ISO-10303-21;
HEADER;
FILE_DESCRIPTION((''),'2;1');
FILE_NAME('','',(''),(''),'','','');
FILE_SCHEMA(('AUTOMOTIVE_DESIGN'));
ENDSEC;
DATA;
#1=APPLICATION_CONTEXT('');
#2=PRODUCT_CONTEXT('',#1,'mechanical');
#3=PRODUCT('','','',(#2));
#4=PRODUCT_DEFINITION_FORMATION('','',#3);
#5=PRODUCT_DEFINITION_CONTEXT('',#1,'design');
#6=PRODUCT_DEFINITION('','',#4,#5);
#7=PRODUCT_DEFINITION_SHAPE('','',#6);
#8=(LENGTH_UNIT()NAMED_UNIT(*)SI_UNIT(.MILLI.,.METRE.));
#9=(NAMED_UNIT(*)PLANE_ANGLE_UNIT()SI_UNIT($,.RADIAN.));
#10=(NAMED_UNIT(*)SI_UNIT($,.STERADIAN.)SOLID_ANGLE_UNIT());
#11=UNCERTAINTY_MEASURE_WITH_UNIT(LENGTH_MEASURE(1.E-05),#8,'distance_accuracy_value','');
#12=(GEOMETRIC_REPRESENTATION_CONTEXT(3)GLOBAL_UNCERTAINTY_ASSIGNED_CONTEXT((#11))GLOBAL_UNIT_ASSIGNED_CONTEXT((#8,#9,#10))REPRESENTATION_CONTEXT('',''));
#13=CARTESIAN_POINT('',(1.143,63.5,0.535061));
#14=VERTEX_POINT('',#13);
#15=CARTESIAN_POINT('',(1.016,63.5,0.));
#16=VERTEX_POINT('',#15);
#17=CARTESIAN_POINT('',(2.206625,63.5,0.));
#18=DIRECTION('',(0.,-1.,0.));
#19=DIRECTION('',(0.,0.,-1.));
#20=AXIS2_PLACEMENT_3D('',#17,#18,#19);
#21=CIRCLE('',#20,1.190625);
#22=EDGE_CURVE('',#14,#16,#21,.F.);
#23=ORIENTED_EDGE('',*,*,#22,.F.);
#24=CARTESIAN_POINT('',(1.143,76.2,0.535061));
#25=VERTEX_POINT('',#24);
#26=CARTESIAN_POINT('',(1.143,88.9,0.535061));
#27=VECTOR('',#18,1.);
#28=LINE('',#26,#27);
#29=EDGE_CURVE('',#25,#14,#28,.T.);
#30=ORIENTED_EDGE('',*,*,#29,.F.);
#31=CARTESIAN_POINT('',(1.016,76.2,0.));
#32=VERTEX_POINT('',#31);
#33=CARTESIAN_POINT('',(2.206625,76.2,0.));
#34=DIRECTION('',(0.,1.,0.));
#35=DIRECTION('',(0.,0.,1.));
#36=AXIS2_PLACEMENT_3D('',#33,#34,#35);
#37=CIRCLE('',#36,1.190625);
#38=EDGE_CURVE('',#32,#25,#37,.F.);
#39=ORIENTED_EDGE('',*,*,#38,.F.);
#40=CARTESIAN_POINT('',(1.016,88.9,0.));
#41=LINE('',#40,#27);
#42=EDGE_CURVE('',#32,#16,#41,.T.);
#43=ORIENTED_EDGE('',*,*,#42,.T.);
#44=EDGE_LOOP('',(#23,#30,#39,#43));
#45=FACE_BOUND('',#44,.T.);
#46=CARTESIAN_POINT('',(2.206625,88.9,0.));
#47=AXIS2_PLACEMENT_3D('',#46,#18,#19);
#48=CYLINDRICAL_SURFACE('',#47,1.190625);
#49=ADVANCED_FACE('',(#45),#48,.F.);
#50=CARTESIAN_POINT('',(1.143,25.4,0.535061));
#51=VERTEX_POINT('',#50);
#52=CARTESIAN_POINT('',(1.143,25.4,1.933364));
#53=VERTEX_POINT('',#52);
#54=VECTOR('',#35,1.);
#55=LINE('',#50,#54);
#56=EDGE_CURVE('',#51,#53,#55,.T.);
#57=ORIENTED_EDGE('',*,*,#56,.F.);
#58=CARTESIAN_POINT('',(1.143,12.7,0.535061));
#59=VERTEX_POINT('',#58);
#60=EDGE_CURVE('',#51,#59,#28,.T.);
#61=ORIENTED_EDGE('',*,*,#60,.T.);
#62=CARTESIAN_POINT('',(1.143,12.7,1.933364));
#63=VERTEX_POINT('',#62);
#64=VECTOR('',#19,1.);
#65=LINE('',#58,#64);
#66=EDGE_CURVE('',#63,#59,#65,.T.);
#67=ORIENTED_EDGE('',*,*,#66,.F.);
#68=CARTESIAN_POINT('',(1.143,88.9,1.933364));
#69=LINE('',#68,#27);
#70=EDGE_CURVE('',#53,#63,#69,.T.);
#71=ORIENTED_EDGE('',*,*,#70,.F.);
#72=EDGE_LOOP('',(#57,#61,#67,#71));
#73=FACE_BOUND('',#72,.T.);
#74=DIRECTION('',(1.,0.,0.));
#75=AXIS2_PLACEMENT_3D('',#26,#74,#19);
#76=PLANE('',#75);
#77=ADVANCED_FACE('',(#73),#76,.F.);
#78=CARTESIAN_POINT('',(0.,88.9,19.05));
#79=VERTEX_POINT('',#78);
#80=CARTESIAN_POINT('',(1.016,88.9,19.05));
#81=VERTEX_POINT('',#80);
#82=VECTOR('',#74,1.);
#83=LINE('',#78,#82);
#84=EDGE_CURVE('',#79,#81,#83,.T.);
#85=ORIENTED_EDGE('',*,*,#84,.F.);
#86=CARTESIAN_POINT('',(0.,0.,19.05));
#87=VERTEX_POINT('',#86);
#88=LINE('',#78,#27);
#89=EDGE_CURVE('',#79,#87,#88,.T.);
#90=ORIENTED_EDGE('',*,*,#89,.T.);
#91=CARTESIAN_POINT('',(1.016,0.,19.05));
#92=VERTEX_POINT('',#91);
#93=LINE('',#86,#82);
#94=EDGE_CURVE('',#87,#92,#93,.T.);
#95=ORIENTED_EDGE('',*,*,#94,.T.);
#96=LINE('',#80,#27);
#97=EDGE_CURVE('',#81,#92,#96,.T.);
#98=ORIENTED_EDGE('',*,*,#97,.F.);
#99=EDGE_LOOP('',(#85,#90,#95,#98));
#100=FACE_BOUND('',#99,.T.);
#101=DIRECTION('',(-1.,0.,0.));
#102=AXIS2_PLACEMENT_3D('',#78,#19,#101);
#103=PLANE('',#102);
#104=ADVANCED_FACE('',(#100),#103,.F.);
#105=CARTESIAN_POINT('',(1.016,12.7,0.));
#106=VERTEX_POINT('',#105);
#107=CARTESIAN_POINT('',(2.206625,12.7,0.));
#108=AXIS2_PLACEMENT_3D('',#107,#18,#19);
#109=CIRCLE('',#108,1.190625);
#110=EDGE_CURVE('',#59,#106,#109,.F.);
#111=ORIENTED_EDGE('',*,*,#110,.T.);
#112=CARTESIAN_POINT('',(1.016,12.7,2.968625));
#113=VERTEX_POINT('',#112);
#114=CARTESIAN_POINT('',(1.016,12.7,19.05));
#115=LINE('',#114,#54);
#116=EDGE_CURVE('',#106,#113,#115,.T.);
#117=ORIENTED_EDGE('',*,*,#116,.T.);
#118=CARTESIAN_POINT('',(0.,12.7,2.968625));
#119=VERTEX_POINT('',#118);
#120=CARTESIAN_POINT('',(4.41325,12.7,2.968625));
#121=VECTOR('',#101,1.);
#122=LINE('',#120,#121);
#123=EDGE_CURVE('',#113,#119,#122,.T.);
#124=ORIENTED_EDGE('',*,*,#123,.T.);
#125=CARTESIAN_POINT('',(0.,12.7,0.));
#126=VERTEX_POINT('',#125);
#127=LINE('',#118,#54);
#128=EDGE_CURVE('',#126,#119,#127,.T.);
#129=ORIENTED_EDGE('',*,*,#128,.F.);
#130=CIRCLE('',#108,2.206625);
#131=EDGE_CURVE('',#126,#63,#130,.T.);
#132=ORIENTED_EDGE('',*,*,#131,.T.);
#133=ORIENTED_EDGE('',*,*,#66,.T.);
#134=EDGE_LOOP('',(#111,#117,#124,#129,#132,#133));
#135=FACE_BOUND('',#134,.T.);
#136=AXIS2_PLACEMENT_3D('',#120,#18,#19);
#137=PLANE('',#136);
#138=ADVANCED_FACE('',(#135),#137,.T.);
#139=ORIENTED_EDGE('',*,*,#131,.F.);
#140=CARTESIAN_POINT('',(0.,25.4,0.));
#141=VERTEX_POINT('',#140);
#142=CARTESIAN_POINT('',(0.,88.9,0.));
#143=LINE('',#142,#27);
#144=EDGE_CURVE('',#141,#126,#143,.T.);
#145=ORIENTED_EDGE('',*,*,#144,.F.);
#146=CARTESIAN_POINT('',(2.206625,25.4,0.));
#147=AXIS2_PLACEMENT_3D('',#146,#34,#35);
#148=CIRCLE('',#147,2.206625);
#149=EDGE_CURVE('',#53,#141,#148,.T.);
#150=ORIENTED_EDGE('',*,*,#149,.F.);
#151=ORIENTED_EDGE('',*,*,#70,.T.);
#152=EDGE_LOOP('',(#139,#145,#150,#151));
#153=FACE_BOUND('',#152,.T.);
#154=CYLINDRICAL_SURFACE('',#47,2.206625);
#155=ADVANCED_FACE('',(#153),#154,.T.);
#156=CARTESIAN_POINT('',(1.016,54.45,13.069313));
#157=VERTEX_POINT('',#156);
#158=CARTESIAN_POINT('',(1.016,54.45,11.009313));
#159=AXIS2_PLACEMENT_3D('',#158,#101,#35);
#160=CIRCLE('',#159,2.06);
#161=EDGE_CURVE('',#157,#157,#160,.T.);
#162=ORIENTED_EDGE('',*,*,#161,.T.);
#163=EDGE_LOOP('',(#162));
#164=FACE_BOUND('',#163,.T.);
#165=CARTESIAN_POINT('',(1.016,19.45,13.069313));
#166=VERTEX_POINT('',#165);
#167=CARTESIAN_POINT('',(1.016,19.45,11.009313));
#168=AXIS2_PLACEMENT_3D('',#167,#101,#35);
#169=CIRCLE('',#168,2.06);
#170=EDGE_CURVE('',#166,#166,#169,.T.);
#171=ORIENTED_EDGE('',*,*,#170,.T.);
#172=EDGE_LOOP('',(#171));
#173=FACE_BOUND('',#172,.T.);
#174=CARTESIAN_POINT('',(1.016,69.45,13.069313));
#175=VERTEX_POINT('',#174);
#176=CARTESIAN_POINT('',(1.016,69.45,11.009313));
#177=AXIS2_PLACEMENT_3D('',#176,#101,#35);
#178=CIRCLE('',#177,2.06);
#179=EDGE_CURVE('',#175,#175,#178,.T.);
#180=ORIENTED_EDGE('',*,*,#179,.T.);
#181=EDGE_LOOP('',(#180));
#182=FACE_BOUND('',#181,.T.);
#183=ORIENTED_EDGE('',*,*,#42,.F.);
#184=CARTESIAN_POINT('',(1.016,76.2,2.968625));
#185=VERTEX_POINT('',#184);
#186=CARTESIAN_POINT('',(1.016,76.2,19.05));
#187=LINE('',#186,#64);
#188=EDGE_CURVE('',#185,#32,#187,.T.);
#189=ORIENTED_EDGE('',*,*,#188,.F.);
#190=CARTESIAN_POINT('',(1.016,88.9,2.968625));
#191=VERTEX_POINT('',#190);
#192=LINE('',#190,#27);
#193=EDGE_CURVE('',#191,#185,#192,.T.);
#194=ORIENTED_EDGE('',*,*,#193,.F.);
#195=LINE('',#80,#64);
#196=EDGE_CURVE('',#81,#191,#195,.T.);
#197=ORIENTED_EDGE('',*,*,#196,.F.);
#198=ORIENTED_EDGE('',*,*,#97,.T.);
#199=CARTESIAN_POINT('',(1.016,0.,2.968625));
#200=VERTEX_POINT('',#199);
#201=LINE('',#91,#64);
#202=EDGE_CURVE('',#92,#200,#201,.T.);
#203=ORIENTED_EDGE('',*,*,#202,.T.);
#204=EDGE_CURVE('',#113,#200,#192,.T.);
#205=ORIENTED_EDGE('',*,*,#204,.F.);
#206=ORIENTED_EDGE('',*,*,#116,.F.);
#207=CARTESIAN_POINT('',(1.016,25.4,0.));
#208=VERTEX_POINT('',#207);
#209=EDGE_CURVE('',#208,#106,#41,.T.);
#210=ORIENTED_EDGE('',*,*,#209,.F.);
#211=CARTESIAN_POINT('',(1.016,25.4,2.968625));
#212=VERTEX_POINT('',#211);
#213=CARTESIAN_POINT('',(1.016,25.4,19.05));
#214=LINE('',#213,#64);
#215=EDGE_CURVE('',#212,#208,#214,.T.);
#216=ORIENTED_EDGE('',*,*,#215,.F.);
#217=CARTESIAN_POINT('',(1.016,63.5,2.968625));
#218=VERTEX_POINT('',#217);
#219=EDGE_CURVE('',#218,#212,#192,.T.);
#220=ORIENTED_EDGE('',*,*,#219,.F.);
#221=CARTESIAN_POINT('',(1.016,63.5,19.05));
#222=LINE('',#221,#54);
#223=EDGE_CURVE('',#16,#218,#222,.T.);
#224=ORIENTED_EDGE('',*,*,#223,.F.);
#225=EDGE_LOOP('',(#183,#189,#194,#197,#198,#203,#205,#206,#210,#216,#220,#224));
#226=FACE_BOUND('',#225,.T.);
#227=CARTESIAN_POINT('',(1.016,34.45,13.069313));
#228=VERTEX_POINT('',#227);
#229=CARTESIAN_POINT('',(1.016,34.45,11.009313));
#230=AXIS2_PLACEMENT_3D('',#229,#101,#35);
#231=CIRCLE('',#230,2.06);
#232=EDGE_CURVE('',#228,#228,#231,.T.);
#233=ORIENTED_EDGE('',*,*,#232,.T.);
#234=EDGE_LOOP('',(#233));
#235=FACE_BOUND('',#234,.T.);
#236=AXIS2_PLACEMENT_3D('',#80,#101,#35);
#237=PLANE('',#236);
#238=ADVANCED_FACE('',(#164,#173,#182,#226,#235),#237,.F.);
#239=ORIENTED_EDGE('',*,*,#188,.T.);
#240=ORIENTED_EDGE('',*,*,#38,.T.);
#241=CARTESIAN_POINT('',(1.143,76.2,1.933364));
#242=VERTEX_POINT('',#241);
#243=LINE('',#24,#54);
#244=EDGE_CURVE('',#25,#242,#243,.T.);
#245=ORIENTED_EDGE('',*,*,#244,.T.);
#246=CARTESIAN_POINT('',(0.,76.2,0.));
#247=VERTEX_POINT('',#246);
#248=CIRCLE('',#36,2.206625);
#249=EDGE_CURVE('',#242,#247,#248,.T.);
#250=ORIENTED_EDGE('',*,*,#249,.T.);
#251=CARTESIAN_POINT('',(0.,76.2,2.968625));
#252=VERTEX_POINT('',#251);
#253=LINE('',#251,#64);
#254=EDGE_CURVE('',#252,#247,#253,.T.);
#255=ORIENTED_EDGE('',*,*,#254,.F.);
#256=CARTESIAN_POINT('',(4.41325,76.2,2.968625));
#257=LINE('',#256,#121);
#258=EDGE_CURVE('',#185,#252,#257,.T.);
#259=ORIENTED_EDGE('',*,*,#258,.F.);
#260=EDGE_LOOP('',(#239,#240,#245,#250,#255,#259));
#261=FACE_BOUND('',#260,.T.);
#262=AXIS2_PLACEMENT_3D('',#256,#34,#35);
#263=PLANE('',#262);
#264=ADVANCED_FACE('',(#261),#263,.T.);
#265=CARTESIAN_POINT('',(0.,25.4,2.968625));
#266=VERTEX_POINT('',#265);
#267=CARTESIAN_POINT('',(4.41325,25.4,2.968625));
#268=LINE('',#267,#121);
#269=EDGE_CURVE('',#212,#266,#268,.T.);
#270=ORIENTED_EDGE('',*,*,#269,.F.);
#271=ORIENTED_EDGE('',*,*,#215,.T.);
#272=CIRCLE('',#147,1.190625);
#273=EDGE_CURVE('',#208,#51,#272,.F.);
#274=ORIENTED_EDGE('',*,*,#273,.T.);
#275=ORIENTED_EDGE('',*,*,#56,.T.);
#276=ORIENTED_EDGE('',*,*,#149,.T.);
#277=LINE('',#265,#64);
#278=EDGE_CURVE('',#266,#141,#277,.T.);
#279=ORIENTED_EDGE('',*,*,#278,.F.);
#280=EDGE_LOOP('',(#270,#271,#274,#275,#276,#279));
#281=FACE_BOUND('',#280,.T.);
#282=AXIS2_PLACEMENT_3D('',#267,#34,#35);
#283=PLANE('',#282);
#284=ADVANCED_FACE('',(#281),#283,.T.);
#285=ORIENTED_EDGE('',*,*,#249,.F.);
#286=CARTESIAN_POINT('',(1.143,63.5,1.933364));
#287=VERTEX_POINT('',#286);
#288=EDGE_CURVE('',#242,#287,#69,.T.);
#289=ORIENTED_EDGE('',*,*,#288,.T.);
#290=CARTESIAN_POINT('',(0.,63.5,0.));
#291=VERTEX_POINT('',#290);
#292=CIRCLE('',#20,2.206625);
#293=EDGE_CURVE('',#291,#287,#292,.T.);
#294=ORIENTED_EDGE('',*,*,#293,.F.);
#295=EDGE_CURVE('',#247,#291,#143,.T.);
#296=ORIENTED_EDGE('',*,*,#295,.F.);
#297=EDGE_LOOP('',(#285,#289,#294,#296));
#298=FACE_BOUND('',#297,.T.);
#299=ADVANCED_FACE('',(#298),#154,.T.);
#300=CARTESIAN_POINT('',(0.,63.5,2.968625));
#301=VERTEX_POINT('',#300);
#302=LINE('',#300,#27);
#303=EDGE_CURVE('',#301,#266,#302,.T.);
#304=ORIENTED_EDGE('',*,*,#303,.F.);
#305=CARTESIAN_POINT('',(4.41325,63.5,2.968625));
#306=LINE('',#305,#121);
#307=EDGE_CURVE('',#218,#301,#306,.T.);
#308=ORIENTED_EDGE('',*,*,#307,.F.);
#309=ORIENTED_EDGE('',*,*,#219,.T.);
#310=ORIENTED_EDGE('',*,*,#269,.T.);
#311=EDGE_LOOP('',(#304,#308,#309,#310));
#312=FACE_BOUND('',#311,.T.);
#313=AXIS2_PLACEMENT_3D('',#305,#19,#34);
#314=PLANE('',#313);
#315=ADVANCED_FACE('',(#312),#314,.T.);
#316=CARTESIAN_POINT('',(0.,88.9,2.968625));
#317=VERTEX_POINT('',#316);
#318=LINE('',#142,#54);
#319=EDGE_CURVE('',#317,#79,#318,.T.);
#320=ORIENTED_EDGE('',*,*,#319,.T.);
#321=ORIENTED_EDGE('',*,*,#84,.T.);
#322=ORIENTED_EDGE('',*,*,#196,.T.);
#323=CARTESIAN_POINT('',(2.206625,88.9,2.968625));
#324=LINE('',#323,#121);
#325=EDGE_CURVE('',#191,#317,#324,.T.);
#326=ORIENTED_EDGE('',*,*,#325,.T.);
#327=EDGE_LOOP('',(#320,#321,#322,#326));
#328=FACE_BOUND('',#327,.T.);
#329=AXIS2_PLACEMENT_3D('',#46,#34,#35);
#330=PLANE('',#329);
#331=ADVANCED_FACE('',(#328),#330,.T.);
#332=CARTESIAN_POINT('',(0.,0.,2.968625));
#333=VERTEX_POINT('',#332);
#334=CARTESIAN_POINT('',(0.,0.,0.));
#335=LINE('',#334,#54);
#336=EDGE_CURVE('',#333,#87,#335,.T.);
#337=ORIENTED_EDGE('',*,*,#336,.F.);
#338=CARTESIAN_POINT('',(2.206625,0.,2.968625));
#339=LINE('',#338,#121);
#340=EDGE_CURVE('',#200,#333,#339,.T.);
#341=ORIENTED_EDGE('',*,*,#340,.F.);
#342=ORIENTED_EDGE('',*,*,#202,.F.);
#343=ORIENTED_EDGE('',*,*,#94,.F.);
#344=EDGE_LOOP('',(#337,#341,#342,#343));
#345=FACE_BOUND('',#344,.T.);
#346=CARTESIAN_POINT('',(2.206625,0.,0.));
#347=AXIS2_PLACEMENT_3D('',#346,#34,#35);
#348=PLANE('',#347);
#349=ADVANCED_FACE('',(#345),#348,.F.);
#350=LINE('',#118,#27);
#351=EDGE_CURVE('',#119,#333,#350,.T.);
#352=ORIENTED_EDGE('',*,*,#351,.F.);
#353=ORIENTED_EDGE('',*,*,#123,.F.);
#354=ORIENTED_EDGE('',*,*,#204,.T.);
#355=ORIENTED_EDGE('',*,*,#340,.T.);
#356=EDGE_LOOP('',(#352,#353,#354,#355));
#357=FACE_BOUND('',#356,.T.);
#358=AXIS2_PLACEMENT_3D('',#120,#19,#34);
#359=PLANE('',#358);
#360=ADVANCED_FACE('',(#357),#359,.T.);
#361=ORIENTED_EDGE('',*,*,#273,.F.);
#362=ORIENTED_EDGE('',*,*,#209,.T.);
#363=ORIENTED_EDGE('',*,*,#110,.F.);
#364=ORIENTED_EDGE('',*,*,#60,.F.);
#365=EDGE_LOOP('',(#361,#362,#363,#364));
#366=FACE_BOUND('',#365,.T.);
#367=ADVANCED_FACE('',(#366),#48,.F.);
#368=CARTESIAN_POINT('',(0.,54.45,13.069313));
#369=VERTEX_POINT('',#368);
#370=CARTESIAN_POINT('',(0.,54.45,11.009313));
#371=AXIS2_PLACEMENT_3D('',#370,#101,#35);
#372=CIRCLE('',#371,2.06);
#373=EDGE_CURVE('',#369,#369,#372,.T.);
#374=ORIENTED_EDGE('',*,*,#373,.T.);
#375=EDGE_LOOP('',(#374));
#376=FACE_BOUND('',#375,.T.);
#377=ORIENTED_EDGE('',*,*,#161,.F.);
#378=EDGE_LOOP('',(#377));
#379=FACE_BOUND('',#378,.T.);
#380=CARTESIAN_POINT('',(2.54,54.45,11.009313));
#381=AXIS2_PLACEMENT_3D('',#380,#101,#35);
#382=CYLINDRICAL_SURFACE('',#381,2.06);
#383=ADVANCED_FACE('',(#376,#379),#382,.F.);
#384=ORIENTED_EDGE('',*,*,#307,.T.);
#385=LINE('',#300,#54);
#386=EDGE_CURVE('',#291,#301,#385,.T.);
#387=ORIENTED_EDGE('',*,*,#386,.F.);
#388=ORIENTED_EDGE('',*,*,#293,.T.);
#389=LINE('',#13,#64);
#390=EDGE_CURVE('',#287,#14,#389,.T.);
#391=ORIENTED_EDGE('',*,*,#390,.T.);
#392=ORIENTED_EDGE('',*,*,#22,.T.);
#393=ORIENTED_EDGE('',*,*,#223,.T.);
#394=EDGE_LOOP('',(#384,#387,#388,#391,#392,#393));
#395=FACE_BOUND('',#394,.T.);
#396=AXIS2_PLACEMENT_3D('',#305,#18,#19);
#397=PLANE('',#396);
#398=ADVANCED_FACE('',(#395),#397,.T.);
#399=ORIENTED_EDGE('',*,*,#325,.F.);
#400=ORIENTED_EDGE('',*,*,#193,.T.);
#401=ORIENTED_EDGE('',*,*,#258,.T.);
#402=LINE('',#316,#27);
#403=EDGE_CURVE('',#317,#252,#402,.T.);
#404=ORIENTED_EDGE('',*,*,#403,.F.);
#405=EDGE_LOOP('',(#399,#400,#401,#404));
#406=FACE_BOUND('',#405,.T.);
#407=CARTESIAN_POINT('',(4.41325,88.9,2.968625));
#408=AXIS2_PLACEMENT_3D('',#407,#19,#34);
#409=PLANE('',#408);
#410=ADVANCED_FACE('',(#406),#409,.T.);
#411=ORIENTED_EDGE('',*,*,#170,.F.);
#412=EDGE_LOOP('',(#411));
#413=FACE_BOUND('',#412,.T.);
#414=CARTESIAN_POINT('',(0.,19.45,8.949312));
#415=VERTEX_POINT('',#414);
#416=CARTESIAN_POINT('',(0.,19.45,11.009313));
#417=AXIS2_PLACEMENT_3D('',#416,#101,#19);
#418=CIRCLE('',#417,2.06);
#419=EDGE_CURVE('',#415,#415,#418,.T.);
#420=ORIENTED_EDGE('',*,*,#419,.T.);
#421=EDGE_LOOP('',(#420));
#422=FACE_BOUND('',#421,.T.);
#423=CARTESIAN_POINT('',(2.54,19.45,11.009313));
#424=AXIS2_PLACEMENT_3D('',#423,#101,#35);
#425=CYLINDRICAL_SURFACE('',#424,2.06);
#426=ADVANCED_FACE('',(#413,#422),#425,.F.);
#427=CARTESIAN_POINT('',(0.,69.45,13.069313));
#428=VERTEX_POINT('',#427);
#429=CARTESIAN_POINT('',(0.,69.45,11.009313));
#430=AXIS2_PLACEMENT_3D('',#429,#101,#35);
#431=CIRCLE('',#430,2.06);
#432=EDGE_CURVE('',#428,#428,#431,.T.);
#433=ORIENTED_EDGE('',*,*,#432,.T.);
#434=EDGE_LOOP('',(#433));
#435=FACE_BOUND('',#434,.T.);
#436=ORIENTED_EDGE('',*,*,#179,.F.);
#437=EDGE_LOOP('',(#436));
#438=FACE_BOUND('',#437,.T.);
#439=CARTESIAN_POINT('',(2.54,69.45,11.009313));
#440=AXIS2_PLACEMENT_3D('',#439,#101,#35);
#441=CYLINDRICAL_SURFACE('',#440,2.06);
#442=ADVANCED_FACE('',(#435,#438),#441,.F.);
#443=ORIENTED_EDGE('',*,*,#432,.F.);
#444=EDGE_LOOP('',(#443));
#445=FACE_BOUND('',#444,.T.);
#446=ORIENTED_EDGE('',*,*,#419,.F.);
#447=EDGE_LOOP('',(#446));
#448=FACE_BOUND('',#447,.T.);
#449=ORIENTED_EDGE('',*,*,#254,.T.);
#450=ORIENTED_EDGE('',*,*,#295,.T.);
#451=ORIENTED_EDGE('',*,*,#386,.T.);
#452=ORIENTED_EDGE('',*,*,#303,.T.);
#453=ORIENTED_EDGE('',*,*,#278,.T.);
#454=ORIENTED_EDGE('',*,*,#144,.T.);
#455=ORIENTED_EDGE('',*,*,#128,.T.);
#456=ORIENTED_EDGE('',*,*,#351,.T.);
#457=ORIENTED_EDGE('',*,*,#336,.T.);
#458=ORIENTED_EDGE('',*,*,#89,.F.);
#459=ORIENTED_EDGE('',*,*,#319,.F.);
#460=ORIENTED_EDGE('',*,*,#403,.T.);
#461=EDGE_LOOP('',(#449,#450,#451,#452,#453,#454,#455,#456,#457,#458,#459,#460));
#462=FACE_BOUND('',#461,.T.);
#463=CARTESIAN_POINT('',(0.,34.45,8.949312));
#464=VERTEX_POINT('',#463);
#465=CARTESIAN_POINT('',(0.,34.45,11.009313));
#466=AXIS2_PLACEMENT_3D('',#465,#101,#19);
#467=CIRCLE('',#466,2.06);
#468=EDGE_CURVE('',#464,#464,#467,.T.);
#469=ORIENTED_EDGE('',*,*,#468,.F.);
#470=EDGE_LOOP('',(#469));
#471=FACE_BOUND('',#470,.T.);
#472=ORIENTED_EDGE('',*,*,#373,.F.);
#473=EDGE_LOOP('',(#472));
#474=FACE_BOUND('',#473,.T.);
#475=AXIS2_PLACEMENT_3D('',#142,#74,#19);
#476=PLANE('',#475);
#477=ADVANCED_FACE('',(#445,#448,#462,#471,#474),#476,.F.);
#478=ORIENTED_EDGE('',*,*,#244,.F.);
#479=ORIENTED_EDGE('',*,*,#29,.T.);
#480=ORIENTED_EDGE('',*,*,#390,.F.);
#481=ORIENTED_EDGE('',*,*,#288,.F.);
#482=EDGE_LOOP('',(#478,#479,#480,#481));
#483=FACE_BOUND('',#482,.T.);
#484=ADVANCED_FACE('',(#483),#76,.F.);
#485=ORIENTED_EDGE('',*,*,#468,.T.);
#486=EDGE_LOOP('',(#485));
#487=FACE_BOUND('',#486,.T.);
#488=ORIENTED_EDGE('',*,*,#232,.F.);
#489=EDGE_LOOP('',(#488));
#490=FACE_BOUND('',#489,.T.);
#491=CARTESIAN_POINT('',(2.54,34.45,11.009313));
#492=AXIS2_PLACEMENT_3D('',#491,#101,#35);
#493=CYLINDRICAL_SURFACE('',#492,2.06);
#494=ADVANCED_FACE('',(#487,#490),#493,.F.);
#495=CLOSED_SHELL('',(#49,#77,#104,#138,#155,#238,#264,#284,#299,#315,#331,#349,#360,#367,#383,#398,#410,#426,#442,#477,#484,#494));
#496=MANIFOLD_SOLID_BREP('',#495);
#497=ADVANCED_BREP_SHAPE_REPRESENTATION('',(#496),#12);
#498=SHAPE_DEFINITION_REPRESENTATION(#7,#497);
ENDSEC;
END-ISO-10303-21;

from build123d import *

# Parameters (mm, degrees)
BOSS_EXTRUDE2_DEPTH = 88.9
SKETCH8_W           = 5.93725
SKETCH8_H           = 12.7
CUT_EXTRUDE3_DEPTH  = 92.025212307
SKETCH10_W          = 5.93725
SKETCH10_H          = 12.7
CUT_EXTRUDE4_DEPTH  = 92.025212307
SKETCH16_R          = 2.06
CUT_EXTRUDE6_DEPTH  = 2.54


with BuildPart() as part:
    # Sketch4 → Boss-Extrude2 (new body)
    with BuildSketch(Plane(origin=(0, 0, 0), x_dir=(1, 0, 0), z_dir=(0, 1, 0))):
        with BuildLine():
            Line((0, 0), (0, -19.05))
            Line((0, -19.05), (1.016, -19.05))
            Line((1.016, -19.05), (1.016, 0))
            ThreePointArc((1.016, 0), (3.365064987, 0.274963066), (1.143, -0.535060511))
            Line((1.143, -0.535060511), (1.143, -1.933363843))
            ThreePointArc((1.143, -1.933363843), (4.106126962, 1.122980938), (0, 0))
        make_face()
    extrude(amount=BOSS_EXTRUDE2_DEPTH)

    # Sketch8 → Cut-Extrude3 (cut, through all)
    with BuildSketch(Plane(origin=(0, 0, 0), x_dir=(0, 0, -1), z_dir=(1, 0, 0))):
        with Locations((0, 6.35)):
            Rectangle(SKETCH8_W, SKETCH8_H)
        with Locations((0, 31.75)):
            Rectangle(SKETCH8_W, SKETCH8_H)
        with Locations((0, 57.15)):
            Rectangle(SKETCH8_W, SKETCH8_H)
        with Locations((0, 82.55)):
            Rectangle(SKETCH8_W, SKETCH8_H)
    extrude(amount=CUT_EXTRUDE3_DEPTH, mode=Mode.SUBTRACT)

    # Sketch10 → Cut-Extrude4 (cut, through all)
    with BuildSketch(Plane(origin=(0, 0, 0), x_dir=(0, 0, -1), z_dir=(1, 0, 0))):
        with Locations((0, 44.45)):
            Rectangle(SKETCH10_W, SKETCH10_H)
    extrude(amount=CUT_EXTRUDE4_DEPTH, mode=Mode.SUBTRACT)

    # Sketch16 → Cut-Extrude6 (cut)
    with BuildSketch(Plane.ZY):
        with Locations((11.0093125, 54.45)):
            Circle(SKETCH16_R)
        with Locations((11.0093125, 69.449999972)):
            Circle(SKETCH16_R)
        with Locations((11.0093125, 34.45)):
            Circle(SKETCH16_R)
        with Locations((11.0093125, 19.450000028)):
            Circle(SKETCH16_R)
    extrude(amount=-CUT_EXTRUDE6_DEPTH, mode=Mode.SUBTRACT)


solid = part.part
